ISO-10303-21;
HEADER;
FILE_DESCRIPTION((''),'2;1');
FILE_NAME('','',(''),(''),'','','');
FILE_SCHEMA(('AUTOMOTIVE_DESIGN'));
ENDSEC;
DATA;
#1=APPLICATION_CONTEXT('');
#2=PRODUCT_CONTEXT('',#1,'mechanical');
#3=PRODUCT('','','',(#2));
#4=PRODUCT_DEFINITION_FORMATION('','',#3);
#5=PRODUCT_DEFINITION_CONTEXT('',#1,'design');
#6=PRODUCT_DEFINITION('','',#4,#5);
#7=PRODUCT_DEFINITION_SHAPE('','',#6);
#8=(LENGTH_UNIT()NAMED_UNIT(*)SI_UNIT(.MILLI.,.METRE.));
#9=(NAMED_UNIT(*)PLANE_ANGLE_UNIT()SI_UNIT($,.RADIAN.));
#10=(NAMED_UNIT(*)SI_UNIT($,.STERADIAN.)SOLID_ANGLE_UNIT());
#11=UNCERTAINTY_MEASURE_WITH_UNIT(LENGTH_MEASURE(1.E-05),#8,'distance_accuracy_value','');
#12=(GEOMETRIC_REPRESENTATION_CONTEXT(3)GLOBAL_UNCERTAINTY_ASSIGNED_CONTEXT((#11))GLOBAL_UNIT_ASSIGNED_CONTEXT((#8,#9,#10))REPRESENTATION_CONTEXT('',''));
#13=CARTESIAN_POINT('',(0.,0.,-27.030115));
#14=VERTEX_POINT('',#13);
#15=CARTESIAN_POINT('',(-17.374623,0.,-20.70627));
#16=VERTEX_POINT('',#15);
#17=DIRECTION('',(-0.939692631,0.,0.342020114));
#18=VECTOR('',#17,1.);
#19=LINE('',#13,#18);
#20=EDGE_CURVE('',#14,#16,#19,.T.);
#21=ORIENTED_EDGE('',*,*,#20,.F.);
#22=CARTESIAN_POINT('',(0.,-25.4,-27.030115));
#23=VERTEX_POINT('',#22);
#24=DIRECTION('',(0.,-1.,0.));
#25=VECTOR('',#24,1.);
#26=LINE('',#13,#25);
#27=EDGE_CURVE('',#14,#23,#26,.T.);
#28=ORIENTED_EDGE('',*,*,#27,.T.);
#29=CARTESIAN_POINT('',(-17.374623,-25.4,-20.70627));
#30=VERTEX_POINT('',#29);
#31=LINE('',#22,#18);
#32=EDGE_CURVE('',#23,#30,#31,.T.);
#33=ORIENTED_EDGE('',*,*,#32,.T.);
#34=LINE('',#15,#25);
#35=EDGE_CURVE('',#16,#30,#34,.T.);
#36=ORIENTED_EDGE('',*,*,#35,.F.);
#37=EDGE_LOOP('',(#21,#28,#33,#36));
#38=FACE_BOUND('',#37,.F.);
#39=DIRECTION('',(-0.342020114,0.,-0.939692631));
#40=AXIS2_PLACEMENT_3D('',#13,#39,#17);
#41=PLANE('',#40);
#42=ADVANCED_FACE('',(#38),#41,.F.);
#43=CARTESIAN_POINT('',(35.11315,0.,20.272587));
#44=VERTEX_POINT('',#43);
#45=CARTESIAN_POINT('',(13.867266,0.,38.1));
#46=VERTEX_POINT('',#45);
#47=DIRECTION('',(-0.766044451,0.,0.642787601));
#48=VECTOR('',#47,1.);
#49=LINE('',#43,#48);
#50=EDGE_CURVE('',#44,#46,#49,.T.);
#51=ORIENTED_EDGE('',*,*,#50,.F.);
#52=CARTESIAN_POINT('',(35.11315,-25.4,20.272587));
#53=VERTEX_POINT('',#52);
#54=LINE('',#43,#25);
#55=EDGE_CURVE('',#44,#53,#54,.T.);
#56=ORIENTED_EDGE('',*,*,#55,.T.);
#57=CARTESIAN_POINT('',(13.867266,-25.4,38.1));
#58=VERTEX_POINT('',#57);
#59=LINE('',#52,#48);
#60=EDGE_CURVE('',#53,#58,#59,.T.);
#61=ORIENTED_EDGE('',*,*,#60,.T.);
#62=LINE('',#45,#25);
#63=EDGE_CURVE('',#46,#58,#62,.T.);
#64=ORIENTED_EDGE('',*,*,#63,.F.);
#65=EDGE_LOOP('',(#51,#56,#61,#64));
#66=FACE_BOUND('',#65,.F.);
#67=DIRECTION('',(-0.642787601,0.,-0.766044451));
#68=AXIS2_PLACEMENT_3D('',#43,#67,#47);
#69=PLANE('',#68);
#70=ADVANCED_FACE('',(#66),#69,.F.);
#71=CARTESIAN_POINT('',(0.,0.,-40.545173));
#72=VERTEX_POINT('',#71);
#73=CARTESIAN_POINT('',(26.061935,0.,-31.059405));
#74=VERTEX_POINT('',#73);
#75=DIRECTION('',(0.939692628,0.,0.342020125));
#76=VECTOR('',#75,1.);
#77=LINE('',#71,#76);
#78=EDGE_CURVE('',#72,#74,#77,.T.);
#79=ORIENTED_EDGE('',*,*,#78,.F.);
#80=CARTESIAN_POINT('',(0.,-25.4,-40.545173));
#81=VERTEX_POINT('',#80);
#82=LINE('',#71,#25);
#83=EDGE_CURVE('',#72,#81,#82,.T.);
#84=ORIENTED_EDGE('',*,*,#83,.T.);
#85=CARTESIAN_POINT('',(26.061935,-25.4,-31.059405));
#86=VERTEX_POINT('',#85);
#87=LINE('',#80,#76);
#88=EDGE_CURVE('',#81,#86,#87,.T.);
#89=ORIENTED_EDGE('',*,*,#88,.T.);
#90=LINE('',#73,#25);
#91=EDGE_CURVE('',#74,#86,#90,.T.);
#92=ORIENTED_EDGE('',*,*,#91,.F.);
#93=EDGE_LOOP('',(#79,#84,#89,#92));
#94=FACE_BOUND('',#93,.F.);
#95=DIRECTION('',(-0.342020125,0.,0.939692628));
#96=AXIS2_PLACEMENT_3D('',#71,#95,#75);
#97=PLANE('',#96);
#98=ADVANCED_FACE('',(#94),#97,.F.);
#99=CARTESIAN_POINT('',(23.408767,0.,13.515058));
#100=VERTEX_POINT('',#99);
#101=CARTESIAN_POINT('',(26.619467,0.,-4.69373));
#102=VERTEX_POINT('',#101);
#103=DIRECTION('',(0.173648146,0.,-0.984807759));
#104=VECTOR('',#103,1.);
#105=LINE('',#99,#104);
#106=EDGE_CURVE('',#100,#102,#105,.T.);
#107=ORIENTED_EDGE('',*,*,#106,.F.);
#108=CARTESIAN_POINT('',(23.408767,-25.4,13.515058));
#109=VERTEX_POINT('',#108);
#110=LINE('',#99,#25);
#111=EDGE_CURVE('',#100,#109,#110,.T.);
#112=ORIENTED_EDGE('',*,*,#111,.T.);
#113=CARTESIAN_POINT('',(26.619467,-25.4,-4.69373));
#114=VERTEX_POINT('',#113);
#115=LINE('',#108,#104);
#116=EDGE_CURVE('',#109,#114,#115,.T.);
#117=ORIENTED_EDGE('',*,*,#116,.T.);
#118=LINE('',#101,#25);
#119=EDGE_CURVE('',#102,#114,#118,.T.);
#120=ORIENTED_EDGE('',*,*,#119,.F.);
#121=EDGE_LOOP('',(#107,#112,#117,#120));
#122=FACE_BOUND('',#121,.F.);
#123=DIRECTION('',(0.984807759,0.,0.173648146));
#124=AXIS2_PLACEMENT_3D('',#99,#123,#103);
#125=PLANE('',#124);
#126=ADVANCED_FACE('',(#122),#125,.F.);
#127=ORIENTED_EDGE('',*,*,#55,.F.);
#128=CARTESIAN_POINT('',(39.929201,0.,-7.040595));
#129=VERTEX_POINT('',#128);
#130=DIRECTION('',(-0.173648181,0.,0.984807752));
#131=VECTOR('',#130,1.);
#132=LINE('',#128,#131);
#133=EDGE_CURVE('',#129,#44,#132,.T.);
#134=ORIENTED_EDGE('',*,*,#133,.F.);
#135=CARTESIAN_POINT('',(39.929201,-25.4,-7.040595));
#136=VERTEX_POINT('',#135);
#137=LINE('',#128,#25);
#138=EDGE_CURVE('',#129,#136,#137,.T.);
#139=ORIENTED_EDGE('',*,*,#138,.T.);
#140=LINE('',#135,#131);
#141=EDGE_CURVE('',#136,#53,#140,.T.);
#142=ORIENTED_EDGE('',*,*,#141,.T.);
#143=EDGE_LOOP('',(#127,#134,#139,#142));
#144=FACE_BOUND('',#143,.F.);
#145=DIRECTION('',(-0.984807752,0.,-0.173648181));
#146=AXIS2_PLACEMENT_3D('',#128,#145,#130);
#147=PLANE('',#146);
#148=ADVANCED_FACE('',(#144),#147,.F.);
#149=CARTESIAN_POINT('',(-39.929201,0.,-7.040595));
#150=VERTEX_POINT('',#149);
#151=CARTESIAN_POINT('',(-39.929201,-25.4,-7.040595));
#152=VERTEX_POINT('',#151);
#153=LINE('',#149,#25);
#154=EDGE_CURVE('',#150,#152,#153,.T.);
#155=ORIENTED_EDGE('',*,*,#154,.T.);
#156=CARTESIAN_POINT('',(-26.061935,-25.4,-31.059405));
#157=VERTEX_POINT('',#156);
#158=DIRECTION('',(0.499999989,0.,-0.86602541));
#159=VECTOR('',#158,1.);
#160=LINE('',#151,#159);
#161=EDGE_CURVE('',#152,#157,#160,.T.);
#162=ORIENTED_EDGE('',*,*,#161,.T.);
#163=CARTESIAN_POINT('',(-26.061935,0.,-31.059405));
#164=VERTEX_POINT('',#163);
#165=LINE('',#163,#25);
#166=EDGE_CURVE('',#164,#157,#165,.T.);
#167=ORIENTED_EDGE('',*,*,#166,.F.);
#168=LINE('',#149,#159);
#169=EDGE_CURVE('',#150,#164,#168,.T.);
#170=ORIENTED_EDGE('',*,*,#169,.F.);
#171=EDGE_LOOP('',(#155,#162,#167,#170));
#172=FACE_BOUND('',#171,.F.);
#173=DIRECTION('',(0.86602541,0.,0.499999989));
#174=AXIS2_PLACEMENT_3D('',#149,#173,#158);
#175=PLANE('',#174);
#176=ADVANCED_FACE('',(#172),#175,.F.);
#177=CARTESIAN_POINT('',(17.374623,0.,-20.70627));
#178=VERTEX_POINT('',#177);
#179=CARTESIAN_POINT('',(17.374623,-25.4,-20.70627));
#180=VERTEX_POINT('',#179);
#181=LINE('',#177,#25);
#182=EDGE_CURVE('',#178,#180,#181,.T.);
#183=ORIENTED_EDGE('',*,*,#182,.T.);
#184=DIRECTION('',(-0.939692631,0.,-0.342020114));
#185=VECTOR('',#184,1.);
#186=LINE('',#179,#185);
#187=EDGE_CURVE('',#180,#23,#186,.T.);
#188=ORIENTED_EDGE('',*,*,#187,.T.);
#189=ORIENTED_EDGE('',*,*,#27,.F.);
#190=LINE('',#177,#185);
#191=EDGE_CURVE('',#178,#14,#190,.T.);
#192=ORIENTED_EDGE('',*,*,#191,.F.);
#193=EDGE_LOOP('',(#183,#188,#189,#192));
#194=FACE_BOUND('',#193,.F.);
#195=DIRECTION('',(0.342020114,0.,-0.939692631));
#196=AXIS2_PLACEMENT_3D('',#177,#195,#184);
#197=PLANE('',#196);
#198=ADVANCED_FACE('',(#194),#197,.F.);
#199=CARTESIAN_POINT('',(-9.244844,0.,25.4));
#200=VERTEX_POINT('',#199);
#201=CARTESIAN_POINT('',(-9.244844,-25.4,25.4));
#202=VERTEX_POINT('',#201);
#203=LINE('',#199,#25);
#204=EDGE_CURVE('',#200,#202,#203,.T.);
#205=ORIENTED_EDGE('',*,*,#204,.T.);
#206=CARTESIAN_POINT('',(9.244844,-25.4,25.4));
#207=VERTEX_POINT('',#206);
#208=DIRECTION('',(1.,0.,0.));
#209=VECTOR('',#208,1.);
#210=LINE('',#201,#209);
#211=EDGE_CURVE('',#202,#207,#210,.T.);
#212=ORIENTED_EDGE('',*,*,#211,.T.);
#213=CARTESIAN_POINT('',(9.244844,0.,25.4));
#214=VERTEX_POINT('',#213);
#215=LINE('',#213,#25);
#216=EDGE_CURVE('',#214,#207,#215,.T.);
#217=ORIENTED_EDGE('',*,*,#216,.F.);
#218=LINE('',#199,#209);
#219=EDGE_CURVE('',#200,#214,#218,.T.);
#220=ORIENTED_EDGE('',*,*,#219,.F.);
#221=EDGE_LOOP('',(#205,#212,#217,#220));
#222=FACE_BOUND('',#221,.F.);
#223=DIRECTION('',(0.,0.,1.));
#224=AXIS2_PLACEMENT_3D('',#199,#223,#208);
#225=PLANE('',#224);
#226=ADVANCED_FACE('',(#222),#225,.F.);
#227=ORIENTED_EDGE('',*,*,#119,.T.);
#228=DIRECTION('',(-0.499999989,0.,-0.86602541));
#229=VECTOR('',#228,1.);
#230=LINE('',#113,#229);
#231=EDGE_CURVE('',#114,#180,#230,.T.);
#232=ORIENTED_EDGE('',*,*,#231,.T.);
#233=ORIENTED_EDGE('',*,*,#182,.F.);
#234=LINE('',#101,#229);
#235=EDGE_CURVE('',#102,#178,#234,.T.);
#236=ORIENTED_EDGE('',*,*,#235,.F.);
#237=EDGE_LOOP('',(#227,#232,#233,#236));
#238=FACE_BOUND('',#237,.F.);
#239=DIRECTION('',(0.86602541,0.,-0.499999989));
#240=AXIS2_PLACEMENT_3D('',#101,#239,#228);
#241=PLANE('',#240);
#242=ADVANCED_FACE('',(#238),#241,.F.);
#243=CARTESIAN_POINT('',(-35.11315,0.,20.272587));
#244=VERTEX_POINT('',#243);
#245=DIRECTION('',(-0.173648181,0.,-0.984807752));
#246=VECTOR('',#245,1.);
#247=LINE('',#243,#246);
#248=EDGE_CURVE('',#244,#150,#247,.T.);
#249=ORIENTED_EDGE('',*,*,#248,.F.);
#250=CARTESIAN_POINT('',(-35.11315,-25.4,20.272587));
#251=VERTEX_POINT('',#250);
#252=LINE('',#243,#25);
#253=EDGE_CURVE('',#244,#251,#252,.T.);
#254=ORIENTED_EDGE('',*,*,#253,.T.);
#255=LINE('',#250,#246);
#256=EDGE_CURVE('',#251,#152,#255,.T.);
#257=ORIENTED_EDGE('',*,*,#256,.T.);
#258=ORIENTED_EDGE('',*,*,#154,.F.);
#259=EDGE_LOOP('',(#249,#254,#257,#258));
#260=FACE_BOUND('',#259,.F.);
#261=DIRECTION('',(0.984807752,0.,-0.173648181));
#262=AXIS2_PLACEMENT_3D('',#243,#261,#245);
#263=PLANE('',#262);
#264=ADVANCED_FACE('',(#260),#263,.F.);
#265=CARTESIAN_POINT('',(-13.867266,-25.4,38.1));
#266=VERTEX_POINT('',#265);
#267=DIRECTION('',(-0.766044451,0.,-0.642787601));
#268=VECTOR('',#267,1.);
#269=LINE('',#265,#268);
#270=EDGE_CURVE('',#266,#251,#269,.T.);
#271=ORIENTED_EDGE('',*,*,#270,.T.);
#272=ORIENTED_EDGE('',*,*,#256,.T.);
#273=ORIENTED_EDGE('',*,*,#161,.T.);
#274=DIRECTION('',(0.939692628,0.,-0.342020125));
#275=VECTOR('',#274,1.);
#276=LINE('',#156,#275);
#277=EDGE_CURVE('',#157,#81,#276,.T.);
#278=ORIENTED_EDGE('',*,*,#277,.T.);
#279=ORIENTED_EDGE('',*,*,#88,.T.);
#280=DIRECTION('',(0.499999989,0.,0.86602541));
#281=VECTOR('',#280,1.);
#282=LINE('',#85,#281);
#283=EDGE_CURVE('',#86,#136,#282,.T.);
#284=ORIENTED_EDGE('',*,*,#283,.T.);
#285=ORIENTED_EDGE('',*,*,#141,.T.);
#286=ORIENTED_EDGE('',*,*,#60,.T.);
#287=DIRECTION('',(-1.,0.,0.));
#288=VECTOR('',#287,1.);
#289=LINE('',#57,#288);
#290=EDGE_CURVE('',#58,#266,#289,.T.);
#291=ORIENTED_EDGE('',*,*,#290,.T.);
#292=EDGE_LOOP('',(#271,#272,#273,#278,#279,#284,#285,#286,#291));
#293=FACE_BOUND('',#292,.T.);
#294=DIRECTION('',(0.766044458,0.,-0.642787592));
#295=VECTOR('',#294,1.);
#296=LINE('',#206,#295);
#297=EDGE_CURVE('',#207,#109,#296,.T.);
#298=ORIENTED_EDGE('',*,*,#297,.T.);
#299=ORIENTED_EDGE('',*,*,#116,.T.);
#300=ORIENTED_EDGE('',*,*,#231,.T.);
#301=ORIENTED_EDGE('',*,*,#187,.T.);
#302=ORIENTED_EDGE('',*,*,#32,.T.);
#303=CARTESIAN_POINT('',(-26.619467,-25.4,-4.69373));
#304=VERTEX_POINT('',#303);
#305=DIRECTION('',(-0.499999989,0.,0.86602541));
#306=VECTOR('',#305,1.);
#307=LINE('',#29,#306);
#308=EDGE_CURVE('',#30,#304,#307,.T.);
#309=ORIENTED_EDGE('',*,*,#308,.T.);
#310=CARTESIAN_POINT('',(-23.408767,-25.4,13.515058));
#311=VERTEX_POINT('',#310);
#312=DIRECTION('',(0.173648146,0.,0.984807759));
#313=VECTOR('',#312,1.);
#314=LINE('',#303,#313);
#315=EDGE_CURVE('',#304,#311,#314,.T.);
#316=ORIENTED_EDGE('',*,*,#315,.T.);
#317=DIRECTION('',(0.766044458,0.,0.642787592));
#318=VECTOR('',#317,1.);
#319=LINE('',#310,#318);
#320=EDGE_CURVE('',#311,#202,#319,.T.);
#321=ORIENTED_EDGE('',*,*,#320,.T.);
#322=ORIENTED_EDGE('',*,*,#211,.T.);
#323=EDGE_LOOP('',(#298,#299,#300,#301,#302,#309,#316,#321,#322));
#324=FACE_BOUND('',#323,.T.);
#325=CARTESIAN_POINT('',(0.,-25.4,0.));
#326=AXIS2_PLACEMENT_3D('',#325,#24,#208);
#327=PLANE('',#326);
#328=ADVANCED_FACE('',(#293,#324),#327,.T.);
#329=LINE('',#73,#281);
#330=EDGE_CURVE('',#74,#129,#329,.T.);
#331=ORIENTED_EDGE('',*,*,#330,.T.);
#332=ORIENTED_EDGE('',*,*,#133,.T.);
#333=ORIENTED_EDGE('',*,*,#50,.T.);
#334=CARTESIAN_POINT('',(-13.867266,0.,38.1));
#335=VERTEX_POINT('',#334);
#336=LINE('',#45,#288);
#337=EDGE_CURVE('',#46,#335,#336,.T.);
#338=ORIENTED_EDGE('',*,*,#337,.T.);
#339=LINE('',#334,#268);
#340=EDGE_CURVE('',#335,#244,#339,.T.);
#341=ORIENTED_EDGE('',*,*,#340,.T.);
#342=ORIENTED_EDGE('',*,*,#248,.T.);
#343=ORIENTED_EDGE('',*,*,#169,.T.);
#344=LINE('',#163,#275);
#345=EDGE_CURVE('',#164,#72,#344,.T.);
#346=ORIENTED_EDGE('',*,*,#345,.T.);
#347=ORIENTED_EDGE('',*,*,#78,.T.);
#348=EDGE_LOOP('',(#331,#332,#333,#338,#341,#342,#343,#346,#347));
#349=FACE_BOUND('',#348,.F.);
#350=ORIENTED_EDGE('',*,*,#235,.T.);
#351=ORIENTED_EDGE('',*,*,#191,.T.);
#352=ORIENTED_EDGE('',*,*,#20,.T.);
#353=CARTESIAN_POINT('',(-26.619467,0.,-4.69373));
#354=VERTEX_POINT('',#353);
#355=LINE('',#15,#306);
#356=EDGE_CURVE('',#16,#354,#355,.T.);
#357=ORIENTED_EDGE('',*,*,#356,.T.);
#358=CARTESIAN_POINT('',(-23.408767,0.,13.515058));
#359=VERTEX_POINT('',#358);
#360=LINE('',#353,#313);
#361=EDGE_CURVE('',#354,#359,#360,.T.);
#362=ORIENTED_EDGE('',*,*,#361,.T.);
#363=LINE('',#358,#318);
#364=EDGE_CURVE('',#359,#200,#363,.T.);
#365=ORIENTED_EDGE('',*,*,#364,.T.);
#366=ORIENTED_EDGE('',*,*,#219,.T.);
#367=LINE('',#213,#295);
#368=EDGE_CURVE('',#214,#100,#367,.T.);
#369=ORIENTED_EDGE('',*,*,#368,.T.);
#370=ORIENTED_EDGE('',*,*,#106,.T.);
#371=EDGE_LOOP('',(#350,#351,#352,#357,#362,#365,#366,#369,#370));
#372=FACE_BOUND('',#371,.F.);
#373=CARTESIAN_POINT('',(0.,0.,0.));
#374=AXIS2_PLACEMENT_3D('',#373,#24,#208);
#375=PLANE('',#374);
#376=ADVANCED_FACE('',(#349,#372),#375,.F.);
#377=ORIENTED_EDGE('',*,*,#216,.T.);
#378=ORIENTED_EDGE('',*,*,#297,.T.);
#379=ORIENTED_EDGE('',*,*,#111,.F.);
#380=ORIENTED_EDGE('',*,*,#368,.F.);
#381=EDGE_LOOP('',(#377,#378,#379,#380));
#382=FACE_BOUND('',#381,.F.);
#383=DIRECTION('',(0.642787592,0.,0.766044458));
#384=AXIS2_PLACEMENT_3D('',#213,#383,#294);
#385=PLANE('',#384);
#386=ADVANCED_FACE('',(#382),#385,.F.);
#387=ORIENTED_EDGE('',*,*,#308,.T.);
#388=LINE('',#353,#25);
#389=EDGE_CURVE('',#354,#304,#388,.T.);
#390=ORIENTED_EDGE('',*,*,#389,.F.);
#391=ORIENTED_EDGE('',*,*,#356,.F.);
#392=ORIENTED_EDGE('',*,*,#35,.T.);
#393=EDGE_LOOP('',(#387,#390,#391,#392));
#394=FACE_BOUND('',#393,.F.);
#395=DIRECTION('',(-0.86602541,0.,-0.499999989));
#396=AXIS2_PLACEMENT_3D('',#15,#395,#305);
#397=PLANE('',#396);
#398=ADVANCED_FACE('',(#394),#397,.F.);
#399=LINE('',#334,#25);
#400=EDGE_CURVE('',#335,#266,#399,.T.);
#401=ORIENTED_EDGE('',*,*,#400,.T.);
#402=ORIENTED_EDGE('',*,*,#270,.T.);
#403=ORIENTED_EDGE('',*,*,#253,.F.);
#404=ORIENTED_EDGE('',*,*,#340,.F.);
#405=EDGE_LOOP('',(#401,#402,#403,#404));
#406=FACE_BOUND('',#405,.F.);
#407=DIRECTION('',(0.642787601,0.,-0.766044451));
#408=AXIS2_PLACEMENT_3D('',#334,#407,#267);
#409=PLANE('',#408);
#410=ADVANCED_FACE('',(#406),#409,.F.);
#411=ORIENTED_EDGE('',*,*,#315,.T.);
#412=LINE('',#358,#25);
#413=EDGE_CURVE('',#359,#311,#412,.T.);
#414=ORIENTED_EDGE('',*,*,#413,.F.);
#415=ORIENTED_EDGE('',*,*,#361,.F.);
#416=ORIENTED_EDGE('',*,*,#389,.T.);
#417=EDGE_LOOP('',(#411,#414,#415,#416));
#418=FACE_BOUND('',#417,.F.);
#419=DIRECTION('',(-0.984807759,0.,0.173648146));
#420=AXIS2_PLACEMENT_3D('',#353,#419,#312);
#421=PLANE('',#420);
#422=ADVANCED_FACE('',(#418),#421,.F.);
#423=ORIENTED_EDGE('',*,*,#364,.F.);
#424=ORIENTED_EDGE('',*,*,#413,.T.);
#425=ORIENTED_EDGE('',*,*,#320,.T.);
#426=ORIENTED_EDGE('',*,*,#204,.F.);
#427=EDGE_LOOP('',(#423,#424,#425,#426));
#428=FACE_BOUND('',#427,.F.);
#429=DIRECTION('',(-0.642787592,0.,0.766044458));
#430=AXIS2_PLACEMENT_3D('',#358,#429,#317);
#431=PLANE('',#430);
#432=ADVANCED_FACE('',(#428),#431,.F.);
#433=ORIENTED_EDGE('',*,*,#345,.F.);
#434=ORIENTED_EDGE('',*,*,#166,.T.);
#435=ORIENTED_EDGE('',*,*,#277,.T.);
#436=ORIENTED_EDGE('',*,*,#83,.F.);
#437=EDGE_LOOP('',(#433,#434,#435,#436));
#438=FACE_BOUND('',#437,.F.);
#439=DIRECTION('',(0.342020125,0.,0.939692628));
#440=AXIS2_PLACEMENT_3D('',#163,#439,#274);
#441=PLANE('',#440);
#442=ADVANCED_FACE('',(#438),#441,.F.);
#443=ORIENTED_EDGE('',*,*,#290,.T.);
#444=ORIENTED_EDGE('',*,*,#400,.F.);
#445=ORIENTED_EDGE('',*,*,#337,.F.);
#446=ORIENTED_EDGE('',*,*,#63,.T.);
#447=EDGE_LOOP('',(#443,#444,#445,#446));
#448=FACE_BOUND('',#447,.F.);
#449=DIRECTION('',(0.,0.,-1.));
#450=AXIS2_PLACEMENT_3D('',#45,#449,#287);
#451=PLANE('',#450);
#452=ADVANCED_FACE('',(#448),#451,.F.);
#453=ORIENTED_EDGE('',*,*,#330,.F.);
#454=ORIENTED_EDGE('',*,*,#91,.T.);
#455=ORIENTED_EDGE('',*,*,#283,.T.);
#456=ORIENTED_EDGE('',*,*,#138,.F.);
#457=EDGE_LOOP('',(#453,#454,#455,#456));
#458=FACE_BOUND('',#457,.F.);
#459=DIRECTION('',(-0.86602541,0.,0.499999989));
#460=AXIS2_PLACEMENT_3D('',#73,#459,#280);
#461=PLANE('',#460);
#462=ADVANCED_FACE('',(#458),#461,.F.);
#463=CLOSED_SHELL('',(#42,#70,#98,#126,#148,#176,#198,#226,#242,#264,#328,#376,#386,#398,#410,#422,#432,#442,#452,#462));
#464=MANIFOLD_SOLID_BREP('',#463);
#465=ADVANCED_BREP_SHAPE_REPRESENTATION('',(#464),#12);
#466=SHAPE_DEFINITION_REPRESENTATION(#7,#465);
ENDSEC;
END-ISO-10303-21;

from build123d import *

# Parameters (mm, degrees)
F1_DEPTH = 25.4


with BuildPart() as f1:
    # F0 (on Front) → F1 (new body)
    with BuildSketch(Plane.XZ):
        Polygon((13.867266, 38.1), (0, 38.1), (-13.867266, 38.1), (-35.11315, 20.272587), (-39.929201, -7.040595), (-26.061935, -31.059405), (0, -40.545173), (26.061935, -31.059405), (39.929201, -7.040595), (35.11315, 20.272587), align=None)
        Polygon((-9.244844, 25.4), (0, 25.4), (9.244844, 25.4), (23.408767, 13.515058), (26.619467, -4.69373), (17.374623, -20.70627), (0, -27.030115), (-17.374623, -20.70627), (-26.619467, -4.69373), (-23.408767, 13.515058), align=None, mode=Mode.SUBTRACT)
    extrude(amount=F1_DEPTH)


solid = f1.part
